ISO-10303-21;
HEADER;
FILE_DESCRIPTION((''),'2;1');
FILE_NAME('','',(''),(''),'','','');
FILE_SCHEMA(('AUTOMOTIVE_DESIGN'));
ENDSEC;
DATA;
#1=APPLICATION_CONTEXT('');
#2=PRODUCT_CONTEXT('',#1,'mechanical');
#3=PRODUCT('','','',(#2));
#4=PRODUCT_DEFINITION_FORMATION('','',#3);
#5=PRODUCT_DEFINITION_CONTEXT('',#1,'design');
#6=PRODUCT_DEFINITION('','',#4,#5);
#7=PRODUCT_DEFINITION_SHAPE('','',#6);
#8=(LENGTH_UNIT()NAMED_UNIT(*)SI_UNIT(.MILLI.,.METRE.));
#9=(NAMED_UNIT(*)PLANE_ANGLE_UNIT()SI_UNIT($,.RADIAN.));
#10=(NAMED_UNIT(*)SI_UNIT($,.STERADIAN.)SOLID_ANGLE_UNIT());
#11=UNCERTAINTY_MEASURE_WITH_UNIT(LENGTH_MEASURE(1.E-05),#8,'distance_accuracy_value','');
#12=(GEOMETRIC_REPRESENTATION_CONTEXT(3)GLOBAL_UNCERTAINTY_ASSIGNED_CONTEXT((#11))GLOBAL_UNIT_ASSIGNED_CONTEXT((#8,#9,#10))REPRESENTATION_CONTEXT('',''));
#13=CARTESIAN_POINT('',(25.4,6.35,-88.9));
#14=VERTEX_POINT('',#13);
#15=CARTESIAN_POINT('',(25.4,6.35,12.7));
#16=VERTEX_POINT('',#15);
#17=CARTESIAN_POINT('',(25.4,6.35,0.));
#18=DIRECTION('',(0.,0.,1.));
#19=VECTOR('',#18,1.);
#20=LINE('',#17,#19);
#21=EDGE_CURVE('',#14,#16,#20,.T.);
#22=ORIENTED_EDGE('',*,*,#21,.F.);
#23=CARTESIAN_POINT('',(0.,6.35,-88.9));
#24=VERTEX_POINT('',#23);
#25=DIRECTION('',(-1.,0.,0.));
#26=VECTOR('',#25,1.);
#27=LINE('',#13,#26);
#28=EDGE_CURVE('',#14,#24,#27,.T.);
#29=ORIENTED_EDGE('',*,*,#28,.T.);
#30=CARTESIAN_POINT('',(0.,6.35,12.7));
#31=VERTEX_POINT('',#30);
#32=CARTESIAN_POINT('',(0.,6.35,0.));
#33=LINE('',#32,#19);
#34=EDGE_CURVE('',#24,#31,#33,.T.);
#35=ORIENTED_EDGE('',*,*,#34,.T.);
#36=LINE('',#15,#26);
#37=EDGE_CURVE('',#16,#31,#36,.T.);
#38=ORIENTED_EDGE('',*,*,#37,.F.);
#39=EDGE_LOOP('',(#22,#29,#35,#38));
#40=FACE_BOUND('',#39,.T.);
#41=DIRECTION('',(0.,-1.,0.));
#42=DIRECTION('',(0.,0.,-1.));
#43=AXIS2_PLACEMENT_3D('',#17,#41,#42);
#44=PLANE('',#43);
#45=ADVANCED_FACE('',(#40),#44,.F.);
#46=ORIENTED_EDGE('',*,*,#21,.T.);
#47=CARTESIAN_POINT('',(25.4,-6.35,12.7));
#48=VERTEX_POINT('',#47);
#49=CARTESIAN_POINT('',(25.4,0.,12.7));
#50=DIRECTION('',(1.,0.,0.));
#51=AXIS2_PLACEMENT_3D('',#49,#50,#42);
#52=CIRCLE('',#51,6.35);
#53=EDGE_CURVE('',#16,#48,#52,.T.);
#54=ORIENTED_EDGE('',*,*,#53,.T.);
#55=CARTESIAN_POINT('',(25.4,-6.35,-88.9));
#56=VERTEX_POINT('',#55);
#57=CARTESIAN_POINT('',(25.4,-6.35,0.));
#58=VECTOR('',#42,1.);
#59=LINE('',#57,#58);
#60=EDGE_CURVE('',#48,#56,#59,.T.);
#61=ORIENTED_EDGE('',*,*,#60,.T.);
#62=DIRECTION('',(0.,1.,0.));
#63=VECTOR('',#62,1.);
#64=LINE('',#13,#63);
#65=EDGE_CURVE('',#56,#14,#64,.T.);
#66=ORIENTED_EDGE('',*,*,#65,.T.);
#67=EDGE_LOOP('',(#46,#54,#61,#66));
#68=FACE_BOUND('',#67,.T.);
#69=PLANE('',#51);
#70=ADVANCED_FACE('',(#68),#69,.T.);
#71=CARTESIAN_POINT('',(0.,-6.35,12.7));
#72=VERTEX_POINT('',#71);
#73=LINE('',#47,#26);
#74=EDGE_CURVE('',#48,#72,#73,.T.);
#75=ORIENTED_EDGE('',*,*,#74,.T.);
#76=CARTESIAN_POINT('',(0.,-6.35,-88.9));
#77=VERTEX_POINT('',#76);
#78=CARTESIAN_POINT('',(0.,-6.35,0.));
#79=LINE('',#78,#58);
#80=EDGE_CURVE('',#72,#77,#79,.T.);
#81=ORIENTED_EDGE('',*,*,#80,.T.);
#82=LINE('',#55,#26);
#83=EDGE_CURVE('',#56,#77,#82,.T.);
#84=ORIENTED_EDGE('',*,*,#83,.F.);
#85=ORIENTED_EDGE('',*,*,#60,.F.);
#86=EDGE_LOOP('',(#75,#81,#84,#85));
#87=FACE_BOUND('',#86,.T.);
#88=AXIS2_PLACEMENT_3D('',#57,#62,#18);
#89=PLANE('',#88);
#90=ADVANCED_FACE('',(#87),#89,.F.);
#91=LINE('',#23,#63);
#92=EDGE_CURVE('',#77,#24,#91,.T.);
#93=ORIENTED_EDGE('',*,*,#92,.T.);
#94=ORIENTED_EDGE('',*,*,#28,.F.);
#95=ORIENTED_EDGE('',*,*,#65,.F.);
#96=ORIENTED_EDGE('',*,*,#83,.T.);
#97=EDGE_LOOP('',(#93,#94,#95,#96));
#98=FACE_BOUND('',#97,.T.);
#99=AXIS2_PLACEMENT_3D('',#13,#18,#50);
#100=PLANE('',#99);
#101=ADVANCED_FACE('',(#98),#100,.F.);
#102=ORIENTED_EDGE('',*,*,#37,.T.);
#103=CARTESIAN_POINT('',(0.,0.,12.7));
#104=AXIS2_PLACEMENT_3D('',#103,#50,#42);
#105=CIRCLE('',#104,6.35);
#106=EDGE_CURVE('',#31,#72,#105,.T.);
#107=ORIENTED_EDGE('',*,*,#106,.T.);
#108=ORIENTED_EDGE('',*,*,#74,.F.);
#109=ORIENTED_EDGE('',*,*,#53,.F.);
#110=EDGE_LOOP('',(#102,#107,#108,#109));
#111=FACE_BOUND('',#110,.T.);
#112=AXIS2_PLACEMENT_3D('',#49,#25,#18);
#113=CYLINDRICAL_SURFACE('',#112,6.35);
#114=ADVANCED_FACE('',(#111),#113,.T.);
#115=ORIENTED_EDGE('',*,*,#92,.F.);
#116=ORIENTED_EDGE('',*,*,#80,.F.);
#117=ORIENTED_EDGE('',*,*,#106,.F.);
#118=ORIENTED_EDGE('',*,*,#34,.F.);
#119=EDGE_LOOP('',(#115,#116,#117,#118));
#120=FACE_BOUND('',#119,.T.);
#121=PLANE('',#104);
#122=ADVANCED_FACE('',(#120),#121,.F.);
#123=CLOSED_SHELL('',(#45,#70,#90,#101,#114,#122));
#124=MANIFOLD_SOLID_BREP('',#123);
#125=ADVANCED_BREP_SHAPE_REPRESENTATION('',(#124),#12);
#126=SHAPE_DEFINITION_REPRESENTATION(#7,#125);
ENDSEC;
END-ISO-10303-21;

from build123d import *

# Parameters (mm, degrees)
BOSS_EXTRUDE1_DEPTH = 25.4


with BuildPart() as part:
    # Sketch1 → Boss-Extrude1 (new body)
    with BuildSketch(Plane(origin=(0, 0, 0), x_dir=(0, 0, -1), z_dir=(1, 0, 0))):
        with BuildLine():
            Line((0, -6.35), (88.9, -6.35))
            Line((88.9, -6.35), (88.9, 6.35))
            Line((88.9, 6.35), (0, 6.35))
            Line((0, 6.35), (-12.7, 6.35))
            ThreePointArc((-12.7, 6.35), (-19.05, 0), (-12.7, -6.35))
            Line((-12.7, -6.35), (0, -6.35))
        make_face()
    extrude(amount=BOSS_EXTRUDE1_DEPTH)


solid = part.part
